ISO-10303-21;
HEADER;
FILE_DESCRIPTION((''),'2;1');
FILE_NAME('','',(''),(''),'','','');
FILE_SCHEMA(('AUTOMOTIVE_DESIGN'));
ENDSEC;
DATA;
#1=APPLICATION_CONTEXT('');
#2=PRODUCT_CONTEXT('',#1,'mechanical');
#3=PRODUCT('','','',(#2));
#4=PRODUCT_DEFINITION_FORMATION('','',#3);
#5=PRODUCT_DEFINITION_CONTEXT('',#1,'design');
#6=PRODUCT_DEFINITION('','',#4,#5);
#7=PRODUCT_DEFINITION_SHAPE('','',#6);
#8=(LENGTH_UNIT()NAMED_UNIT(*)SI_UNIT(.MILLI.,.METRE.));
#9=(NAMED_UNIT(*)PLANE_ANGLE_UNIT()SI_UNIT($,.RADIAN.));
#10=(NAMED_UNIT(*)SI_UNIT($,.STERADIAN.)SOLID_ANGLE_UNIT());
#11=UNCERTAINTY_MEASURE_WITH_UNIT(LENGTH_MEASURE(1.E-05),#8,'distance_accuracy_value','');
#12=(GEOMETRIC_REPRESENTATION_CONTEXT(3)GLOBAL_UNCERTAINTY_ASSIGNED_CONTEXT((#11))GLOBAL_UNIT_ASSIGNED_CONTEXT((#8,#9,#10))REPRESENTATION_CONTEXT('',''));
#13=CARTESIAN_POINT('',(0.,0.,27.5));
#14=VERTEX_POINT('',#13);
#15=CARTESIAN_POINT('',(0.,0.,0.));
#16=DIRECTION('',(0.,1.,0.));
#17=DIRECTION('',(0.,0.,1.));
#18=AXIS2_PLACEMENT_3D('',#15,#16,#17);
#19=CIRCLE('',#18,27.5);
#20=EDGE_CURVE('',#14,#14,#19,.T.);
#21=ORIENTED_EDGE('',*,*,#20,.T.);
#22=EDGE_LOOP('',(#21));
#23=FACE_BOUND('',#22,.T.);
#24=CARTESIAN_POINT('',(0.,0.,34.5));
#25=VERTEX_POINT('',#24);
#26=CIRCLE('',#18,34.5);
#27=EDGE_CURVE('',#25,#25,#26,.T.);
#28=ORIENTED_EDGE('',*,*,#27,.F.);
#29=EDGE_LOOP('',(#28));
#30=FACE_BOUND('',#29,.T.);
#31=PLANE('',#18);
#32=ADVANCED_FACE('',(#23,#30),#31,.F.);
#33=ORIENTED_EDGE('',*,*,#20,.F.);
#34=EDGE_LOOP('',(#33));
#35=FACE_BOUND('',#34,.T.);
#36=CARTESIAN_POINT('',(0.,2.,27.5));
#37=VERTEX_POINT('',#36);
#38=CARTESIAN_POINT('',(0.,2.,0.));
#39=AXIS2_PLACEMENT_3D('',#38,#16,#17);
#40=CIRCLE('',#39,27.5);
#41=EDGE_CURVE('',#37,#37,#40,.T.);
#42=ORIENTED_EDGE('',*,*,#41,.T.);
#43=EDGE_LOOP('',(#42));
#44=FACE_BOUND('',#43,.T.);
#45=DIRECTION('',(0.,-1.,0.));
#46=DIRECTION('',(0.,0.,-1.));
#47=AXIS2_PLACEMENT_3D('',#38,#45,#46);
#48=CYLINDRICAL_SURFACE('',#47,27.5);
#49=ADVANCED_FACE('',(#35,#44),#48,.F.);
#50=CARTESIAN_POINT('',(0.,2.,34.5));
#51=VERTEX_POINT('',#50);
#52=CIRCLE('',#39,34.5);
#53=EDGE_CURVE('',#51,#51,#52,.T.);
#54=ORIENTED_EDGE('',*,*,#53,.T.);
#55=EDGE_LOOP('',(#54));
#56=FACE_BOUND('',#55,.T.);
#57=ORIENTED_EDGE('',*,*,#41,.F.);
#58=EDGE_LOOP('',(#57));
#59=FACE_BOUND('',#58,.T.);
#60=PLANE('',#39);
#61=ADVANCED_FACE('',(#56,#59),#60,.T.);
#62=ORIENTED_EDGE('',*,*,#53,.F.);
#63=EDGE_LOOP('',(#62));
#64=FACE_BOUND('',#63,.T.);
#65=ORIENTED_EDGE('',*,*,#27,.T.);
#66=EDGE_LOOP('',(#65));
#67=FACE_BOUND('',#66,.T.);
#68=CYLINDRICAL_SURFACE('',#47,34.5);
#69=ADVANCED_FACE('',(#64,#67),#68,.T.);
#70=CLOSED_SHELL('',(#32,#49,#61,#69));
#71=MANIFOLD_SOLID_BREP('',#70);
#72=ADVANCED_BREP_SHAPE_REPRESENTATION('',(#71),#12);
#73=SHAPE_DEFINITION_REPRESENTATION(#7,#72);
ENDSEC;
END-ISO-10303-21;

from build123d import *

# Parameters (mm, degrees)
CROQUIS1_R              = 34.5
CROQUIS1_R_2            = 27.5
SALIENTE_EXTRUIR1_DEPTH = 2


with BuildPart() as part:
    # Croquis1 → Saliente-Extruir1 (new body)
    with BuildSketch(Plane(origin=(0, 0, 0), x_dir=(1, 0, 0), z_dir=(0, 1, 0))):
        with Locations(Location((0, 0, 0), (0, 0, 270))):
            Circle(CROQUIS1_R)
        with Locations(Location((0, 0, 0), (0, 0, 270))):
            Circle(CROQUIS1_R_2, mode=Mode.SUBTRACT)
    extrude(amount=SALIENTE_EXTRUIR1_DEPTH)


solid = part.part
